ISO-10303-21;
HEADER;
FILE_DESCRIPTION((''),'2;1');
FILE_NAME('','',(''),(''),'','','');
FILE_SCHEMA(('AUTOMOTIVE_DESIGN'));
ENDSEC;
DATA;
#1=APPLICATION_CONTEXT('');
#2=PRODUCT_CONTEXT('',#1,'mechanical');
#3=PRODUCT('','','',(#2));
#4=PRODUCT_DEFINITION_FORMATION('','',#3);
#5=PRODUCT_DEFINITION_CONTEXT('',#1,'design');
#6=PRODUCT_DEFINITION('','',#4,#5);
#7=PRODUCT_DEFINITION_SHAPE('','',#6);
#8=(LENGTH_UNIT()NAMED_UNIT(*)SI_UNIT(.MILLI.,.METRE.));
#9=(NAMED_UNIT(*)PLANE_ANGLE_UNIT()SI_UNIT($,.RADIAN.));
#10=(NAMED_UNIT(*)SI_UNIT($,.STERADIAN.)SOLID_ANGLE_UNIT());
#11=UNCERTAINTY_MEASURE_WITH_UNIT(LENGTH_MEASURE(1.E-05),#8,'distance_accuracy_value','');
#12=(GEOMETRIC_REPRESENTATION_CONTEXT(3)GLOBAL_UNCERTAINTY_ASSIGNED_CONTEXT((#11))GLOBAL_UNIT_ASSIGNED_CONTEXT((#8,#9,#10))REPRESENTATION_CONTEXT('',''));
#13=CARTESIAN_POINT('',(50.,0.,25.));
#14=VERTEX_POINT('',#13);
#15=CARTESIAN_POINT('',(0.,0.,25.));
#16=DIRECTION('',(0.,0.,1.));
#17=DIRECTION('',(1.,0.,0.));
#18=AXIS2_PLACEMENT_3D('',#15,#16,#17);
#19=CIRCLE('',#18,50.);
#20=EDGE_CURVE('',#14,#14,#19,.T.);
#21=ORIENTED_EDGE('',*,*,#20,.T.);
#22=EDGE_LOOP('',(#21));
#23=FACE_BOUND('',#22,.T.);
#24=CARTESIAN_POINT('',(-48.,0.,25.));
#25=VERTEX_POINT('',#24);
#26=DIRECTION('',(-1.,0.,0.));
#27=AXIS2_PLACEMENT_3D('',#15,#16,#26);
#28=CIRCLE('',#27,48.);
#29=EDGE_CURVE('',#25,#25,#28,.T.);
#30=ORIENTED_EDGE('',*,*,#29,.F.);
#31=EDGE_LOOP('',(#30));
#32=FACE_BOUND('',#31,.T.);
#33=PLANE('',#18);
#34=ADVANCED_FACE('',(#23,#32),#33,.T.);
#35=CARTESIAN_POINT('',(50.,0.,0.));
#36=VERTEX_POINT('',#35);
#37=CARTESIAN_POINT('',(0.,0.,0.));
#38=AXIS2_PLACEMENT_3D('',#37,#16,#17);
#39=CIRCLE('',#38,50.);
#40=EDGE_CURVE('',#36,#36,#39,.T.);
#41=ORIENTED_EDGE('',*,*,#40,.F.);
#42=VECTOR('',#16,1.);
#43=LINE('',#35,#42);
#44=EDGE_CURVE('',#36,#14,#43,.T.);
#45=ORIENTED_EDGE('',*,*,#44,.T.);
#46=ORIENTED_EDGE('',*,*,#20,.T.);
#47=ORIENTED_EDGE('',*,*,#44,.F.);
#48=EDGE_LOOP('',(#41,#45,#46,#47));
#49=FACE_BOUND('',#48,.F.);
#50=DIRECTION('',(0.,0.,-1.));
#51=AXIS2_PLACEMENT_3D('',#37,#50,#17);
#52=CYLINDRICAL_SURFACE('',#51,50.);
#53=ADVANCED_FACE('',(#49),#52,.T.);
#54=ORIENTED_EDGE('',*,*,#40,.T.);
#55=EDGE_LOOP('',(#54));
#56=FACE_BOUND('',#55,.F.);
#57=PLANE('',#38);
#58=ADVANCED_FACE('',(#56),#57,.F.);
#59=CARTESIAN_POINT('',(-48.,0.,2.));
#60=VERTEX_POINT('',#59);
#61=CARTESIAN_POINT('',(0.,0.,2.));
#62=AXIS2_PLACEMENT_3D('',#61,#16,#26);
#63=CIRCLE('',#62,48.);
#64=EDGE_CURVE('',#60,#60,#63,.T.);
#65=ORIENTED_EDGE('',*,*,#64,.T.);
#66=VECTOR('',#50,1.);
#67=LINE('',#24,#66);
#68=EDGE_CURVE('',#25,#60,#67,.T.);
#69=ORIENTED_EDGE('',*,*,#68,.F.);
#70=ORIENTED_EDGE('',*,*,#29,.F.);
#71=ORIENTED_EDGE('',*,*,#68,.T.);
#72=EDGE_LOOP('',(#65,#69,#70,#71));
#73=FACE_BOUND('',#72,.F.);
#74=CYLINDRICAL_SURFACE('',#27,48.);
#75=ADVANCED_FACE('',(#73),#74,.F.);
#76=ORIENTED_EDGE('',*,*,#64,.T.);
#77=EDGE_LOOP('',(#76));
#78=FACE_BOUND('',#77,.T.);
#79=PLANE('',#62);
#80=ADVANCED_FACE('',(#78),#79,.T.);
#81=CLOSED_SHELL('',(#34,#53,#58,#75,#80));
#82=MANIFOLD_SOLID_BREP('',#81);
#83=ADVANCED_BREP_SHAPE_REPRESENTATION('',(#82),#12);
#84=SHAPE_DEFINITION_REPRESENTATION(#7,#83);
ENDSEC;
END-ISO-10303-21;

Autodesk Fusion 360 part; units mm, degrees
sketch "Sketch1" plane through (0, 0, 0) normal (0, 0, 1) x (1, 0, 0)
  circle A0 centre (0, 0) radius 50
extrude "Extrude1" add sketch "Sketch1" along normal blind 25
sketch "Sketch3" plane through (0, 0, 25) normal (0, 0, 1) x (-1, 0, 0)
  circle A0 centre (0, 0) radius 50
  circle A1 centre (0, 0) radius 48
extrude "Extrude2" cut sketch "Sketch3" against normal blind 23 contours A1
